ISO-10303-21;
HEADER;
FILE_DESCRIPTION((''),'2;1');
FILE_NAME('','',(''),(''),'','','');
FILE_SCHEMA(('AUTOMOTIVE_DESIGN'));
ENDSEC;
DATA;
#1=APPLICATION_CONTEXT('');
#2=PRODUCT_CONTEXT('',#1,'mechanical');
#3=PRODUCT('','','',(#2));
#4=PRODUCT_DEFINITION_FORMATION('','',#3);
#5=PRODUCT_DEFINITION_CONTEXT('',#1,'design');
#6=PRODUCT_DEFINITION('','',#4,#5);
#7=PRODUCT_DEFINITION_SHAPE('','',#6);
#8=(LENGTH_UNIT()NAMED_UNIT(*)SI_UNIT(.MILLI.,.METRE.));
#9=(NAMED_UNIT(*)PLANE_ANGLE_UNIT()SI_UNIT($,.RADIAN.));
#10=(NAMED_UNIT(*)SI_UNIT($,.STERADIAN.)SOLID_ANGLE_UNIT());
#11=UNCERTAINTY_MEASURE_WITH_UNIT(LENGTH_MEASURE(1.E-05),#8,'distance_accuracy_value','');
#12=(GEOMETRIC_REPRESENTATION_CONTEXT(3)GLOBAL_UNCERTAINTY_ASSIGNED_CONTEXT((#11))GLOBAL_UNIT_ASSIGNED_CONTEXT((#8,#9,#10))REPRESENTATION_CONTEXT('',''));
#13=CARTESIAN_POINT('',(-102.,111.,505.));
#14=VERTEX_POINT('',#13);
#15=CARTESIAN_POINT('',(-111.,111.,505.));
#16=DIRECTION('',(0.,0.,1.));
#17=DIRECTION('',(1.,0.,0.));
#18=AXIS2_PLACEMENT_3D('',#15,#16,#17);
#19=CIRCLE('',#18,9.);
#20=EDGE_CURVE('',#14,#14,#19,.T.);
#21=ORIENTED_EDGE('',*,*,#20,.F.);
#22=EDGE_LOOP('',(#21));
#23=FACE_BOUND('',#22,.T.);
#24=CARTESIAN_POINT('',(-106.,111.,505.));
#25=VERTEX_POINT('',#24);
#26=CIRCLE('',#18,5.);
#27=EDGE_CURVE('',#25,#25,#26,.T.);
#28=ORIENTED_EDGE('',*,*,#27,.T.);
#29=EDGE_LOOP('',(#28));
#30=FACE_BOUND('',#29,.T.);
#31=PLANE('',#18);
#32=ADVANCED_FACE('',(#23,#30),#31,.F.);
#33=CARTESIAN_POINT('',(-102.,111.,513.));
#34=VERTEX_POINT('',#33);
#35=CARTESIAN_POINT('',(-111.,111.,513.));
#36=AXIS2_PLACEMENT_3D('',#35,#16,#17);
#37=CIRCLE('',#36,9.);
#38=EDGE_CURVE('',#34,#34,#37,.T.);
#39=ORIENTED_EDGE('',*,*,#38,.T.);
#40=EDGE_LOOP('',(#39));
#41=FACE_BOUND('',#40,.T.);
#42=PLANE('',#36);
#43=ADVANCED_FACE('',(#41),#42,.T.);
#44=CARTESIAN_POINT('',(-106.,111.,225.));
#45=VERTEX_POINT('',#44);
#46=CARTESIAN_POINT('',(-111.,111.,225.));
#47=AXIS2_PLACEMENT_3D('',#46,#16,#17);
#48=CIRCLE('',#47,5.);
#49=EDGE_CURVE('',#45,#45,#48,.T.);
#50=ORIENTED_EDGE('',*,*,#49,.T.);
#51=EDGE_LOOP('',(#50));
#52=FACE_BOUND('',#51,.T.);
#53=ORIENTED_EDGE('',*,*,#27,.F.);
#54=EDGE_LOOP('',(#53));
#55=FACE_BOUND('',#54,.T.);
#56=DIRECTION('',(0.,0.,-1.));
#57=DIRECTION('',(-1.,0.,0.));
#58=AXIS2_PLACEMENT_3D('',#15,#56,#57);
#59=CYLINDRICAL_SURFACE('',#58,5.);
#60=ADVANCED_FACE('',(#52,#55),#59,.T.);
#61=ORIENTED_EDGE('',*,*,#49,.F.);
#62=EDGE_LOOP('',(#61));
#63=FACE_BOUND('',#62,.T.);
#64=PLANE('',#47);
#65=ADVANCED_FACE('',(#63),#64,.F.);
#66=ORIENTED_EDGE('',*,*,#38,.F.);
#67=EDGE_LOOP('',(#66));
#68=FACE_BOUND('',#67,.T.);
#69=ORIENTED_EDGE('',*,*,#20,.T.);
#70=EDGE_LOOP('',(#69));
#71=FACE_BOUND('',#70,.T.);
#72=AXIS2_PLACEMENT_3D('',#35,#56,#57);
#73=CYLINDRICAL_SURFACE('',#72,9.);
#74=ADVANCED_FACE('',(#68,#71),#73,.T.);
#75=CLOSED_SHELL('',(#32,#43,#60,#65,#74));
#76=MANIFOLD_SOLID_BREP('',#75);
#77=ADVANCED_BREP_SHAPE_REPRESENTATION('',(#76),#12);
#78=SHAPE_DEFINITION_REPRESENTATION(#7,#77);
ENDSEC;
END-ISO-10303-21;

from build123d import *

# Parameters (mm, degrees)
EXTRUDE_START      = 225
EXTRUDE_SKETCH_1_R = 5
EXTRUDE_1_DEPTH    = 280
EXTRUDE_START_2    = 505
EXTRUDE_SKETCH_2_R = 9
EXTRUDE_2_DEPTH    = 8


with BuildPart() as part:
    # Extrude sketch 1 → Extrude 1 (new body)
    with BuildSketch(Plane.XY.offset(EXTRUDE_START)):
        with Locations((-111, 111)):
            Circle(EXTRUDE_SKETCH_1_R)
    extrude(amount=EXTRUDE_1_DEPTH)


with BuildPart() as body_2:
    # Extrude sketch 2 → Extrude 2 (new body)
    with BuildSketch(Plane.XY.offset(EXTRUDE_START_2)):
        with Locations((-111, 111)):
            Circle(EXTRUDE_SKETCH_2_R)
    extrude(amount=EXTRUDE_2_DEPTH)

    # Combine (weld / assembly of features): union part
    add(part.part)


solid = body_2.part
